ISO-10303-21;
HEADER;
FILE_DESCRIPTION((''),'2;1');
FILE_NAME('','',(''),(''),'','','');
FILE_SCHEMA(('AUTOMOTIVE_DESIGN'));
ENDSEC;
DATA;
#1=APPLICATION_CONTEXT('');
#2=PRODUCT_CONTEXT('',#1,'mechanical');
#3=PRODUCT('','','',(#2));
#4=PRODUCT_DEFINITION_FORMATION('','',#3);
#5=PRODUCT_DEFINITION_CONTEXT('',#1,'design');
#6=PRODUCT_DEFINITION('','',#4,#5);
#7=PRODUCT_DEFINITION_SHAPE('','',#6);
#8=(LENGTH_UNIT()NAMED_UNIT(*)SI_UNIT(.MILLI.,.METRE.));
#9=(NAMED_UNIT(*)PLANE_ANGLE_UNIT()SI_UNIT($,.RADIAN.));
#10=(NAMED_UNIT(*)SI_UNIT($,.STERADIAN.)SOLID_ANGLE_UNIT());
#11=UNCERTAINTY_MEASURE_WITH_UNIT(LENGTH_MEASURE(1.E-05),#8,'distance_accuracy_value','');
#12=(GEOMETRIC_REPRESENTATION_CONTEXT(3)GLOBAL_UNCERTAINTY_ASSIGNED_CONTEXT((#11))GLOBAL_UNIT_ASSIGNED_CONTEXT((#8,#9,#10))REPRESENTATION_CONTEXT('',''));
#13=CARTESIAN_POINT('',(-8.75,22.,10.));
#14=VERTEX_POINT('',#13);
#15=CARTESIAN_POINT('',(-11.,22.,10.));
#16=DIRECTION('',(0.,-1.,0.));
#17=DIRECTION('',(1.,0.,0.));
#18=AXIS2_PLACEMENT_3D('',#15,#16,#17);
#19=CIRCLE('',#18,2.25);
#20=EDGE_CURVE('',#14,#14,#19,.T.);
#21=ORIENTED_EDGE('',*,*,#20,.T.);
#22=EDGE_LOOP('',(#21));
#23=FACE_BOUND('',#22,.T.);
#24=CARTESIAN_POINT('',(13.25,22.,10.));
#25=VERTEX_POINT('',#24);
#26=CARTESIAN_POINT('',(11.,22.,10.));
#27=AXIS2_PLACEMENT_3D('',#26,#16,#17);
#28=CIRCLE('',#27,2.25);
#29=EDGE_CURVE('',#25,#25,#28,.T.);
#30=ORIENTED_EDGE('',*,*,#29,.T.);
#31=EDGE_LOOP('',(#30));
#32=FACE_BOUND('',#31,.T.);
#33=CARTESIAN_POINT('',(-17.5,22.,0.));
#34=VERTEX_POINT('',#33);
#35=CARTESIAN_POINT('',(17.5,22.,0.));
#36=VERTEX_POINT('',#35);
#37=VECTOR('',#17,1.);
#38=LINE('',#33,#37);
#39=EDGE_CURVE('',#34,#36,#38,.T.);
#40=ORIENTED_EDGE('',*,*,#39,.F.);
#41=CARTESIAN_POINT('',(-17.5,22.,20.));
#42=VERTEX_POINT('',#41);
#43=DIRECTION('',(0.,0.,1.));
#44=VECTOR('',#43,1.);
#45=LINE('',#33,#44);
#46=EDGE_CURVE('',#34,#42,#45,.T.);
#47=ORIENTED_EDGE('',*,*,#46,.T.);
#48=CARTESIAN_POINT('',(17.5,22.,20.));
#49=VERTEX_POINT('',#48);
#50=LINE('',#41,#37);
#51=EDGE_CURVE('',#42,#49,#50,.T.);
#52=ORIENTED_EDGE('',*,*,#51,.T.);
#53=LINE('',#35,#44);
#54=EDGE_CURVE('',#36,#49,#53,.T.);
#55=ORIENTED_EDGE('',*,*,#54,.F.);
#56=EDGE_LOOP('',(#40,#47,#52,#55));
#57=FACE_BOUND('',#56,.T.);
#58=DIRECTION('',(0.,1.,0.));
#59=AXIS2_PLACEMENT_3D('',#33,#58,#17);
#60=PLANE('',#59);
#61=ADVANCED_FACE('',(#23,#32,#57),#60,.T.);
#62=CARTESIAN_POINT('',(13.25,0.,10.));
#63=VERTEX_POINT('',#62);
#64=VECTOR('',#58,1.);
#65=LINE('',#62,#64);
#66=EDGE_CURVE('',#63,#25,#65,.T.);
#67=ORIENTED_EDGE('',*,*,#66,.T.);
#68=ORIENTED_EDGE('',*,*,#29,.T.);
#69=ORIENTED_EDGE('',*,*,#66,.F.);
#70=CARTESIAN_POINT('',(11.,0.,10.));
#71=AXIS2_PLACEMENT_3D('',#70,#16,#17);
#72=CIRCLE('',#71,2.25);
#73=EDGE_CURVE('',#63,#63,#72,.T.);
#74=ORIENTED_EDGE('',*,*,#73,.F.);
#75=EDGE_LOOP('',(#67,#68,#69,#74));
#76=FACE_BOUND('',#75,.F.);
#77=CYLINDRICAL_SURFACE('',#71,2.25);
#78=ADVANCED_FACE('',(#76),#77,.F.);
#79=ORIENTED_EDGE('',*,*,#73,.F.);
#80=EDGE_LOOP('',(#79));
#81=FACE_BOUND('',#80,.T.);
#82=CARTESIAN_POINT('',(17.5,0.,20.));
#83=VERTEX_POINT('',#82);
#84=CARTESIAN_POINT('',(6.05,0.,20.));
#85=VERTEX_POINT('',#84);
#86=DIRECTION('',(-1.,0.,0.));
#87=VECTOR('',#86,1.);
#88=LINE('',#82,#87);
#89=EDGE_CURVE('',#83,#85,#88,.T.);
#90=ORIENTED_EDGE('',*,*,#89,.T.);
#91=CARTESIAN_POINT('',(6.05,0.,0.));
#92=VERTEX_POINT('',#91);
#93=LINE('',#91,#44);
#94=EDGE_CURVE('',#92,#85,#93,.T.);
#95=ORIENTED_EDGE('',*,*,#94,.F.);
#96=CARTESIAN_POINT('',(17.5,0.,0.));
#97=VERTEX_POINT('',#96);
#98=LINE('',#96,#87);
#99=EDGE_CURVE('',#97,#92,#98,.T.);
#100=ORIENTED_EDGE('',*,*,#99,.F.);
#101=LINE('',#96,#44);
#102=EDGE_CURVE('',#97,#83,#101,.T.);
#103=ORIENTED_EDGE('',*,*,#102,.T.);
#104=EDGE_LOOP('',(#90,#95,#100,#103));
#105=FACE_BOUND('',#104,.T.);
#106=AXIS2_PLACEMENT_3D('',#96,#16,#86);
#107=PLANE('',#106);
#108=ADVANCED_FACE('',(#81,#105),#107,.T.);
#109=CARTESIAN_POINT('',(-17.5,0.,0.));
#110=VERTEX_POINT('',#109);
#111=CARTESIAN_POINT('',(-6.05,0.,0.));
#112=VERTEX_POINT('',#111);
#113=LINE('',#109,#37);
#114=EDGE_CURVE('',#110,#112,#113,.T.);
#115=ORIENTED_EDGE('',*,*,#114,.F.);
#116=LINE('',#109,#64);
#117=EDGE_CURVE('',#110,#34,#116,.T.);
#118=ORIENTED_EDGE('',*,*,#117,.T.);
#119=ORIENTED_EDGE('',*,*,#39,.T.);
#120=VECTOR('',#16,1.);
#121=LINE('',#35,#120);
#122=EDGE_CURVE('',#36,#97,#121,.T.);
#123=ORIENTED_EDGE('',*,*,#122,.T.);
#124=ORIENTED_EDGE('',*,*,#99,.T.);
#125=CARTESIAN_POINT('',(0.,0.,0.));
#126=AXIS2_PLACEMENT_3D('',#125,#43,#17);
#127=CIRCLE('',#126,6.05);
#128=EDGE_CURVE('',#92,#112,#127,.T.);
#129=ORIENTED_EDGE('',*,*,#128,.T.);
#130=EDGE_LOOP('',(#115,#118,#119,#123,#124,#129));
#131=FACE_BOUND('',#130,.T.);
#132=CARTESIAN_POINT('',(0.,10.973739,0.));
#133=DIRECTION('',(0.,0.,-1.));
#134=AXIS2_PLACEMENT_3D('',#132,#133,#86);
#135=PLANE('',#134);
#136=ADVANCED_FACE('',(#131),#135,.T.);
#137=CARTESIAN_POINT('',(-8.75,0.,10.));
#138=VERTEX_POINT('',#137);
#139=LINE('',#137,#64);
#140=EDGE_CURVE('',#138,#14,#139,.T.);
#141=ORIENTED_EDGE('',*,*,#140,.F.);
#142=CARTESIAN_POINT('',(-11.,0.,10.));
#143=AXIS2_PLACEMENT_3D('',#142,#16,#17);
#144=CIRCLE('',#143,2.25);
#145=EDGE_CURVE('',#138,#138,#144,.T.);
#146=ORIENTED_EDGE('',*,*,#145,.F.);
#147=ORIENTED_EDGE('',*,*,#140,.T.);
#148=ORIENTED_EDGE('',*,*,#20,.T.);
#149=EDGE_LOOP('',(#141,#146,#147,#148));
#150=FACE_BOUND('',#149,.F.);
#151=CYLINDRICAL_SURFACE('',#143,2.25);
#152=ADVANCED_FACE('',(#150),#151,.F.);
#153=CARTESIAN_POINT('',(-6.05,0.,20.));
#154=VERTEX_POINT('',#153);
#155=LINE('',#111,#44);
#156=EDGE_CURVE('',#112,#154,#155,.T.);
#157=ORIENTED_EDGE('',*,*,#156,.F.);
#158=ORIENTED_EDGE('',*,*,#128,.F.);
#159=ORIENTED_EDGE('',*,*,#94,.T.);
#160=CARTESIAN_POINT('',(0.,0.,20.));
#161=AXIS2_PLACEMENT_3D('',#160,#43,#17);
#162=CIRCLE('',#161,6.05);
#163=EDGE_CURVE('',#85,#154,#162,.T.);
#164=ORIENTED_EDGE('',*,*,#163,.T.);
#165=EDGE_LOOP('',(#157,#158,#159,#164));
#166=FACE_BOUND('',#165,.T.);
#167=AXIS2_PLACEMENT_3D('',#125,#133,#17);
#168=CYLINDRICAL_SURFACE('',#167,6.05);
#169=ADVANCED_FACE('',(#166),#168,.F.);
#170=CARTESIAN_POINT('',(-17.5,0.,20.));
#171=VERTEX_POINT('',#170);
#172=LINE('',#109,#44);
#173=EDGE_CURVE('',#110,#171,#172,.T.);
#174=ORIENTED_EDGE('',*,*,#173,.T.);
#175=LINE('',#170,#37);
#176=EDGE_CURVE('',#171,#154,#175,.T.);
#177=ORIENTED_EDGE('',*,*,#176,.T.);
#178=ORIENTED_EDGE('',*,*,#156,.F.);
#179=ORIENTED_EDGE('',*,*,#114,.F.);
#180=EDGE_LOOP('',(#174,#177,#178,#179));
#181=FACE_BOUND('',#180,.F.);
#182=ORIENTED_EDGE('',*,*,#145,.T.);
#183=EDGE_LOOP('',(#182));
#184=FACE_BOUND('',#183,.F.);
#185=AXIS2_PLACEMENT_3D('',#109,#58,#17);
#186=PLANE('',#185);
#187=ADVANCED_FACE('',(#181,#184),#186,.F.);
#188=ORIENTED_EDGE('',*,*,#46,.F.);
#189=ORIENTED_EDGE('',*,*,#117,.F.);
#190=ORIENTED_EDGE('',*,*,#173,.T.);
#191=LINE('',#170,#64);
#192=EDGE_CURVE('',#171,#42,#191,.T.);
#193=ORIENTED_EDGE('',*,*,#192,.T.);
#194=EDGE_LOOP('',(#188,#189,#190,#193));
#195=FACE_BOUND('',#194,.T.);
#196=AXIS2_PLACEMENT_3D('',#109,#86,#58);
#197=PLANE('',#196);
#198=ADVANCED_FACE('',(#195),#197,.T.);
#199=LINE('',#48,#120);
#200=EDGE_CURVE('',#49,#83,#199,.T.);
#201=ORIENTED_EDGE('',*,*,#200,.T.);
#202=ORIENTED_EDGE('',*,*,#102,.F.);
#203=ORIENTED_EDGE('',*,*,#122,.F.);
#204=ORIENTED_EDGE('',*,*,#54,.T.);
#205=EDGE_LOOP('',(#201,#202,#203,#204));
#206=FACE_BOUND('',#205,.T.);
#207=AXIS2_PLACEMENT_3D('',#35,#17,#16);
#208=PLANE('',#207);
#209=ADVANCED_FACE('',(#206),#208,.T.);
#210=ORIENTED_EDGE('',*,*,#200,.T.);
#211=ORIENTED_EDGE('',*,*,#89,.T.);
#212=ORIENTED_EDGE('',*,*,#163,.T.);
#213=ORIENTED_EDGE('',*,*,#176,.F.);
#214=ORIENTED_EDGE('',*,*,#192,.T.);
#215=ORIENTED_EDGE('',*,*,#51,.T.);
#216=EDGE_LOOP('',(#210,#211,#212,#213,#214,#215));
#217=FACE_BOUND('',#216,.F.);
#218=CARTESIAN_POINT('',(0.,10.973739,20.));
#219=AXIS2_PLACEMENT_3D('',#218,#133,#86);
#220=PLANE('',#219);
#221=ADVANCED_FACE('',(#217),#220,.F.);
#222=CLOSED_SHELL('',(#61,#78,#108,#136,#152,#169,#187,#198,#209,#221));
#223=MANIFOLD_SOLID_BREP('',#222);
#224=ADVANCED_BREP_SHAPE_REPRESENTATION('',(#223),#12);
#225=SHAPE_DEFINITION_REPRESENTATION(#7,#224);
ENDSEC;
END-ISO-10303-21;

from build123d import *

# Parameters (mm, degrees)
PAD_DEPTH    = 20
SKETCH001_R  = 2.25
POCKET_DEPTH = 22.001


with BuildPart() as part:
    # Sketch → Pad (new body)
    with BuildSketch(Plane.XY):
        with BuildLine():
            Line((-17.5, 22), (17.5, 22))
            Line((17.5, 22), (17.5, 0))
            Line((17.5, 0), (6.05, 0))
            ThreePointArc((6.05, 0), (0, 6.05), (-6.05, 0))
            Line((-17.5, 0), (-6.05, 0))
            Line((-17.5, 0), (-17.5, 22))
        make_face()
    extrude(amount=PAD_DEPTH)

    # Sketch001 → Pocket (cut, through all)
    with BuildSketch(Plane.XZ):
        with Locations((-11, 10)):
            Circle(SKETCH001_R)
        with Locations((11, 10)):
            Circle(SKETCH001_R)
    extrude(amount=-POCKET_DEPTH, mode=Mode.SUBTRACT)


solid = part.part
